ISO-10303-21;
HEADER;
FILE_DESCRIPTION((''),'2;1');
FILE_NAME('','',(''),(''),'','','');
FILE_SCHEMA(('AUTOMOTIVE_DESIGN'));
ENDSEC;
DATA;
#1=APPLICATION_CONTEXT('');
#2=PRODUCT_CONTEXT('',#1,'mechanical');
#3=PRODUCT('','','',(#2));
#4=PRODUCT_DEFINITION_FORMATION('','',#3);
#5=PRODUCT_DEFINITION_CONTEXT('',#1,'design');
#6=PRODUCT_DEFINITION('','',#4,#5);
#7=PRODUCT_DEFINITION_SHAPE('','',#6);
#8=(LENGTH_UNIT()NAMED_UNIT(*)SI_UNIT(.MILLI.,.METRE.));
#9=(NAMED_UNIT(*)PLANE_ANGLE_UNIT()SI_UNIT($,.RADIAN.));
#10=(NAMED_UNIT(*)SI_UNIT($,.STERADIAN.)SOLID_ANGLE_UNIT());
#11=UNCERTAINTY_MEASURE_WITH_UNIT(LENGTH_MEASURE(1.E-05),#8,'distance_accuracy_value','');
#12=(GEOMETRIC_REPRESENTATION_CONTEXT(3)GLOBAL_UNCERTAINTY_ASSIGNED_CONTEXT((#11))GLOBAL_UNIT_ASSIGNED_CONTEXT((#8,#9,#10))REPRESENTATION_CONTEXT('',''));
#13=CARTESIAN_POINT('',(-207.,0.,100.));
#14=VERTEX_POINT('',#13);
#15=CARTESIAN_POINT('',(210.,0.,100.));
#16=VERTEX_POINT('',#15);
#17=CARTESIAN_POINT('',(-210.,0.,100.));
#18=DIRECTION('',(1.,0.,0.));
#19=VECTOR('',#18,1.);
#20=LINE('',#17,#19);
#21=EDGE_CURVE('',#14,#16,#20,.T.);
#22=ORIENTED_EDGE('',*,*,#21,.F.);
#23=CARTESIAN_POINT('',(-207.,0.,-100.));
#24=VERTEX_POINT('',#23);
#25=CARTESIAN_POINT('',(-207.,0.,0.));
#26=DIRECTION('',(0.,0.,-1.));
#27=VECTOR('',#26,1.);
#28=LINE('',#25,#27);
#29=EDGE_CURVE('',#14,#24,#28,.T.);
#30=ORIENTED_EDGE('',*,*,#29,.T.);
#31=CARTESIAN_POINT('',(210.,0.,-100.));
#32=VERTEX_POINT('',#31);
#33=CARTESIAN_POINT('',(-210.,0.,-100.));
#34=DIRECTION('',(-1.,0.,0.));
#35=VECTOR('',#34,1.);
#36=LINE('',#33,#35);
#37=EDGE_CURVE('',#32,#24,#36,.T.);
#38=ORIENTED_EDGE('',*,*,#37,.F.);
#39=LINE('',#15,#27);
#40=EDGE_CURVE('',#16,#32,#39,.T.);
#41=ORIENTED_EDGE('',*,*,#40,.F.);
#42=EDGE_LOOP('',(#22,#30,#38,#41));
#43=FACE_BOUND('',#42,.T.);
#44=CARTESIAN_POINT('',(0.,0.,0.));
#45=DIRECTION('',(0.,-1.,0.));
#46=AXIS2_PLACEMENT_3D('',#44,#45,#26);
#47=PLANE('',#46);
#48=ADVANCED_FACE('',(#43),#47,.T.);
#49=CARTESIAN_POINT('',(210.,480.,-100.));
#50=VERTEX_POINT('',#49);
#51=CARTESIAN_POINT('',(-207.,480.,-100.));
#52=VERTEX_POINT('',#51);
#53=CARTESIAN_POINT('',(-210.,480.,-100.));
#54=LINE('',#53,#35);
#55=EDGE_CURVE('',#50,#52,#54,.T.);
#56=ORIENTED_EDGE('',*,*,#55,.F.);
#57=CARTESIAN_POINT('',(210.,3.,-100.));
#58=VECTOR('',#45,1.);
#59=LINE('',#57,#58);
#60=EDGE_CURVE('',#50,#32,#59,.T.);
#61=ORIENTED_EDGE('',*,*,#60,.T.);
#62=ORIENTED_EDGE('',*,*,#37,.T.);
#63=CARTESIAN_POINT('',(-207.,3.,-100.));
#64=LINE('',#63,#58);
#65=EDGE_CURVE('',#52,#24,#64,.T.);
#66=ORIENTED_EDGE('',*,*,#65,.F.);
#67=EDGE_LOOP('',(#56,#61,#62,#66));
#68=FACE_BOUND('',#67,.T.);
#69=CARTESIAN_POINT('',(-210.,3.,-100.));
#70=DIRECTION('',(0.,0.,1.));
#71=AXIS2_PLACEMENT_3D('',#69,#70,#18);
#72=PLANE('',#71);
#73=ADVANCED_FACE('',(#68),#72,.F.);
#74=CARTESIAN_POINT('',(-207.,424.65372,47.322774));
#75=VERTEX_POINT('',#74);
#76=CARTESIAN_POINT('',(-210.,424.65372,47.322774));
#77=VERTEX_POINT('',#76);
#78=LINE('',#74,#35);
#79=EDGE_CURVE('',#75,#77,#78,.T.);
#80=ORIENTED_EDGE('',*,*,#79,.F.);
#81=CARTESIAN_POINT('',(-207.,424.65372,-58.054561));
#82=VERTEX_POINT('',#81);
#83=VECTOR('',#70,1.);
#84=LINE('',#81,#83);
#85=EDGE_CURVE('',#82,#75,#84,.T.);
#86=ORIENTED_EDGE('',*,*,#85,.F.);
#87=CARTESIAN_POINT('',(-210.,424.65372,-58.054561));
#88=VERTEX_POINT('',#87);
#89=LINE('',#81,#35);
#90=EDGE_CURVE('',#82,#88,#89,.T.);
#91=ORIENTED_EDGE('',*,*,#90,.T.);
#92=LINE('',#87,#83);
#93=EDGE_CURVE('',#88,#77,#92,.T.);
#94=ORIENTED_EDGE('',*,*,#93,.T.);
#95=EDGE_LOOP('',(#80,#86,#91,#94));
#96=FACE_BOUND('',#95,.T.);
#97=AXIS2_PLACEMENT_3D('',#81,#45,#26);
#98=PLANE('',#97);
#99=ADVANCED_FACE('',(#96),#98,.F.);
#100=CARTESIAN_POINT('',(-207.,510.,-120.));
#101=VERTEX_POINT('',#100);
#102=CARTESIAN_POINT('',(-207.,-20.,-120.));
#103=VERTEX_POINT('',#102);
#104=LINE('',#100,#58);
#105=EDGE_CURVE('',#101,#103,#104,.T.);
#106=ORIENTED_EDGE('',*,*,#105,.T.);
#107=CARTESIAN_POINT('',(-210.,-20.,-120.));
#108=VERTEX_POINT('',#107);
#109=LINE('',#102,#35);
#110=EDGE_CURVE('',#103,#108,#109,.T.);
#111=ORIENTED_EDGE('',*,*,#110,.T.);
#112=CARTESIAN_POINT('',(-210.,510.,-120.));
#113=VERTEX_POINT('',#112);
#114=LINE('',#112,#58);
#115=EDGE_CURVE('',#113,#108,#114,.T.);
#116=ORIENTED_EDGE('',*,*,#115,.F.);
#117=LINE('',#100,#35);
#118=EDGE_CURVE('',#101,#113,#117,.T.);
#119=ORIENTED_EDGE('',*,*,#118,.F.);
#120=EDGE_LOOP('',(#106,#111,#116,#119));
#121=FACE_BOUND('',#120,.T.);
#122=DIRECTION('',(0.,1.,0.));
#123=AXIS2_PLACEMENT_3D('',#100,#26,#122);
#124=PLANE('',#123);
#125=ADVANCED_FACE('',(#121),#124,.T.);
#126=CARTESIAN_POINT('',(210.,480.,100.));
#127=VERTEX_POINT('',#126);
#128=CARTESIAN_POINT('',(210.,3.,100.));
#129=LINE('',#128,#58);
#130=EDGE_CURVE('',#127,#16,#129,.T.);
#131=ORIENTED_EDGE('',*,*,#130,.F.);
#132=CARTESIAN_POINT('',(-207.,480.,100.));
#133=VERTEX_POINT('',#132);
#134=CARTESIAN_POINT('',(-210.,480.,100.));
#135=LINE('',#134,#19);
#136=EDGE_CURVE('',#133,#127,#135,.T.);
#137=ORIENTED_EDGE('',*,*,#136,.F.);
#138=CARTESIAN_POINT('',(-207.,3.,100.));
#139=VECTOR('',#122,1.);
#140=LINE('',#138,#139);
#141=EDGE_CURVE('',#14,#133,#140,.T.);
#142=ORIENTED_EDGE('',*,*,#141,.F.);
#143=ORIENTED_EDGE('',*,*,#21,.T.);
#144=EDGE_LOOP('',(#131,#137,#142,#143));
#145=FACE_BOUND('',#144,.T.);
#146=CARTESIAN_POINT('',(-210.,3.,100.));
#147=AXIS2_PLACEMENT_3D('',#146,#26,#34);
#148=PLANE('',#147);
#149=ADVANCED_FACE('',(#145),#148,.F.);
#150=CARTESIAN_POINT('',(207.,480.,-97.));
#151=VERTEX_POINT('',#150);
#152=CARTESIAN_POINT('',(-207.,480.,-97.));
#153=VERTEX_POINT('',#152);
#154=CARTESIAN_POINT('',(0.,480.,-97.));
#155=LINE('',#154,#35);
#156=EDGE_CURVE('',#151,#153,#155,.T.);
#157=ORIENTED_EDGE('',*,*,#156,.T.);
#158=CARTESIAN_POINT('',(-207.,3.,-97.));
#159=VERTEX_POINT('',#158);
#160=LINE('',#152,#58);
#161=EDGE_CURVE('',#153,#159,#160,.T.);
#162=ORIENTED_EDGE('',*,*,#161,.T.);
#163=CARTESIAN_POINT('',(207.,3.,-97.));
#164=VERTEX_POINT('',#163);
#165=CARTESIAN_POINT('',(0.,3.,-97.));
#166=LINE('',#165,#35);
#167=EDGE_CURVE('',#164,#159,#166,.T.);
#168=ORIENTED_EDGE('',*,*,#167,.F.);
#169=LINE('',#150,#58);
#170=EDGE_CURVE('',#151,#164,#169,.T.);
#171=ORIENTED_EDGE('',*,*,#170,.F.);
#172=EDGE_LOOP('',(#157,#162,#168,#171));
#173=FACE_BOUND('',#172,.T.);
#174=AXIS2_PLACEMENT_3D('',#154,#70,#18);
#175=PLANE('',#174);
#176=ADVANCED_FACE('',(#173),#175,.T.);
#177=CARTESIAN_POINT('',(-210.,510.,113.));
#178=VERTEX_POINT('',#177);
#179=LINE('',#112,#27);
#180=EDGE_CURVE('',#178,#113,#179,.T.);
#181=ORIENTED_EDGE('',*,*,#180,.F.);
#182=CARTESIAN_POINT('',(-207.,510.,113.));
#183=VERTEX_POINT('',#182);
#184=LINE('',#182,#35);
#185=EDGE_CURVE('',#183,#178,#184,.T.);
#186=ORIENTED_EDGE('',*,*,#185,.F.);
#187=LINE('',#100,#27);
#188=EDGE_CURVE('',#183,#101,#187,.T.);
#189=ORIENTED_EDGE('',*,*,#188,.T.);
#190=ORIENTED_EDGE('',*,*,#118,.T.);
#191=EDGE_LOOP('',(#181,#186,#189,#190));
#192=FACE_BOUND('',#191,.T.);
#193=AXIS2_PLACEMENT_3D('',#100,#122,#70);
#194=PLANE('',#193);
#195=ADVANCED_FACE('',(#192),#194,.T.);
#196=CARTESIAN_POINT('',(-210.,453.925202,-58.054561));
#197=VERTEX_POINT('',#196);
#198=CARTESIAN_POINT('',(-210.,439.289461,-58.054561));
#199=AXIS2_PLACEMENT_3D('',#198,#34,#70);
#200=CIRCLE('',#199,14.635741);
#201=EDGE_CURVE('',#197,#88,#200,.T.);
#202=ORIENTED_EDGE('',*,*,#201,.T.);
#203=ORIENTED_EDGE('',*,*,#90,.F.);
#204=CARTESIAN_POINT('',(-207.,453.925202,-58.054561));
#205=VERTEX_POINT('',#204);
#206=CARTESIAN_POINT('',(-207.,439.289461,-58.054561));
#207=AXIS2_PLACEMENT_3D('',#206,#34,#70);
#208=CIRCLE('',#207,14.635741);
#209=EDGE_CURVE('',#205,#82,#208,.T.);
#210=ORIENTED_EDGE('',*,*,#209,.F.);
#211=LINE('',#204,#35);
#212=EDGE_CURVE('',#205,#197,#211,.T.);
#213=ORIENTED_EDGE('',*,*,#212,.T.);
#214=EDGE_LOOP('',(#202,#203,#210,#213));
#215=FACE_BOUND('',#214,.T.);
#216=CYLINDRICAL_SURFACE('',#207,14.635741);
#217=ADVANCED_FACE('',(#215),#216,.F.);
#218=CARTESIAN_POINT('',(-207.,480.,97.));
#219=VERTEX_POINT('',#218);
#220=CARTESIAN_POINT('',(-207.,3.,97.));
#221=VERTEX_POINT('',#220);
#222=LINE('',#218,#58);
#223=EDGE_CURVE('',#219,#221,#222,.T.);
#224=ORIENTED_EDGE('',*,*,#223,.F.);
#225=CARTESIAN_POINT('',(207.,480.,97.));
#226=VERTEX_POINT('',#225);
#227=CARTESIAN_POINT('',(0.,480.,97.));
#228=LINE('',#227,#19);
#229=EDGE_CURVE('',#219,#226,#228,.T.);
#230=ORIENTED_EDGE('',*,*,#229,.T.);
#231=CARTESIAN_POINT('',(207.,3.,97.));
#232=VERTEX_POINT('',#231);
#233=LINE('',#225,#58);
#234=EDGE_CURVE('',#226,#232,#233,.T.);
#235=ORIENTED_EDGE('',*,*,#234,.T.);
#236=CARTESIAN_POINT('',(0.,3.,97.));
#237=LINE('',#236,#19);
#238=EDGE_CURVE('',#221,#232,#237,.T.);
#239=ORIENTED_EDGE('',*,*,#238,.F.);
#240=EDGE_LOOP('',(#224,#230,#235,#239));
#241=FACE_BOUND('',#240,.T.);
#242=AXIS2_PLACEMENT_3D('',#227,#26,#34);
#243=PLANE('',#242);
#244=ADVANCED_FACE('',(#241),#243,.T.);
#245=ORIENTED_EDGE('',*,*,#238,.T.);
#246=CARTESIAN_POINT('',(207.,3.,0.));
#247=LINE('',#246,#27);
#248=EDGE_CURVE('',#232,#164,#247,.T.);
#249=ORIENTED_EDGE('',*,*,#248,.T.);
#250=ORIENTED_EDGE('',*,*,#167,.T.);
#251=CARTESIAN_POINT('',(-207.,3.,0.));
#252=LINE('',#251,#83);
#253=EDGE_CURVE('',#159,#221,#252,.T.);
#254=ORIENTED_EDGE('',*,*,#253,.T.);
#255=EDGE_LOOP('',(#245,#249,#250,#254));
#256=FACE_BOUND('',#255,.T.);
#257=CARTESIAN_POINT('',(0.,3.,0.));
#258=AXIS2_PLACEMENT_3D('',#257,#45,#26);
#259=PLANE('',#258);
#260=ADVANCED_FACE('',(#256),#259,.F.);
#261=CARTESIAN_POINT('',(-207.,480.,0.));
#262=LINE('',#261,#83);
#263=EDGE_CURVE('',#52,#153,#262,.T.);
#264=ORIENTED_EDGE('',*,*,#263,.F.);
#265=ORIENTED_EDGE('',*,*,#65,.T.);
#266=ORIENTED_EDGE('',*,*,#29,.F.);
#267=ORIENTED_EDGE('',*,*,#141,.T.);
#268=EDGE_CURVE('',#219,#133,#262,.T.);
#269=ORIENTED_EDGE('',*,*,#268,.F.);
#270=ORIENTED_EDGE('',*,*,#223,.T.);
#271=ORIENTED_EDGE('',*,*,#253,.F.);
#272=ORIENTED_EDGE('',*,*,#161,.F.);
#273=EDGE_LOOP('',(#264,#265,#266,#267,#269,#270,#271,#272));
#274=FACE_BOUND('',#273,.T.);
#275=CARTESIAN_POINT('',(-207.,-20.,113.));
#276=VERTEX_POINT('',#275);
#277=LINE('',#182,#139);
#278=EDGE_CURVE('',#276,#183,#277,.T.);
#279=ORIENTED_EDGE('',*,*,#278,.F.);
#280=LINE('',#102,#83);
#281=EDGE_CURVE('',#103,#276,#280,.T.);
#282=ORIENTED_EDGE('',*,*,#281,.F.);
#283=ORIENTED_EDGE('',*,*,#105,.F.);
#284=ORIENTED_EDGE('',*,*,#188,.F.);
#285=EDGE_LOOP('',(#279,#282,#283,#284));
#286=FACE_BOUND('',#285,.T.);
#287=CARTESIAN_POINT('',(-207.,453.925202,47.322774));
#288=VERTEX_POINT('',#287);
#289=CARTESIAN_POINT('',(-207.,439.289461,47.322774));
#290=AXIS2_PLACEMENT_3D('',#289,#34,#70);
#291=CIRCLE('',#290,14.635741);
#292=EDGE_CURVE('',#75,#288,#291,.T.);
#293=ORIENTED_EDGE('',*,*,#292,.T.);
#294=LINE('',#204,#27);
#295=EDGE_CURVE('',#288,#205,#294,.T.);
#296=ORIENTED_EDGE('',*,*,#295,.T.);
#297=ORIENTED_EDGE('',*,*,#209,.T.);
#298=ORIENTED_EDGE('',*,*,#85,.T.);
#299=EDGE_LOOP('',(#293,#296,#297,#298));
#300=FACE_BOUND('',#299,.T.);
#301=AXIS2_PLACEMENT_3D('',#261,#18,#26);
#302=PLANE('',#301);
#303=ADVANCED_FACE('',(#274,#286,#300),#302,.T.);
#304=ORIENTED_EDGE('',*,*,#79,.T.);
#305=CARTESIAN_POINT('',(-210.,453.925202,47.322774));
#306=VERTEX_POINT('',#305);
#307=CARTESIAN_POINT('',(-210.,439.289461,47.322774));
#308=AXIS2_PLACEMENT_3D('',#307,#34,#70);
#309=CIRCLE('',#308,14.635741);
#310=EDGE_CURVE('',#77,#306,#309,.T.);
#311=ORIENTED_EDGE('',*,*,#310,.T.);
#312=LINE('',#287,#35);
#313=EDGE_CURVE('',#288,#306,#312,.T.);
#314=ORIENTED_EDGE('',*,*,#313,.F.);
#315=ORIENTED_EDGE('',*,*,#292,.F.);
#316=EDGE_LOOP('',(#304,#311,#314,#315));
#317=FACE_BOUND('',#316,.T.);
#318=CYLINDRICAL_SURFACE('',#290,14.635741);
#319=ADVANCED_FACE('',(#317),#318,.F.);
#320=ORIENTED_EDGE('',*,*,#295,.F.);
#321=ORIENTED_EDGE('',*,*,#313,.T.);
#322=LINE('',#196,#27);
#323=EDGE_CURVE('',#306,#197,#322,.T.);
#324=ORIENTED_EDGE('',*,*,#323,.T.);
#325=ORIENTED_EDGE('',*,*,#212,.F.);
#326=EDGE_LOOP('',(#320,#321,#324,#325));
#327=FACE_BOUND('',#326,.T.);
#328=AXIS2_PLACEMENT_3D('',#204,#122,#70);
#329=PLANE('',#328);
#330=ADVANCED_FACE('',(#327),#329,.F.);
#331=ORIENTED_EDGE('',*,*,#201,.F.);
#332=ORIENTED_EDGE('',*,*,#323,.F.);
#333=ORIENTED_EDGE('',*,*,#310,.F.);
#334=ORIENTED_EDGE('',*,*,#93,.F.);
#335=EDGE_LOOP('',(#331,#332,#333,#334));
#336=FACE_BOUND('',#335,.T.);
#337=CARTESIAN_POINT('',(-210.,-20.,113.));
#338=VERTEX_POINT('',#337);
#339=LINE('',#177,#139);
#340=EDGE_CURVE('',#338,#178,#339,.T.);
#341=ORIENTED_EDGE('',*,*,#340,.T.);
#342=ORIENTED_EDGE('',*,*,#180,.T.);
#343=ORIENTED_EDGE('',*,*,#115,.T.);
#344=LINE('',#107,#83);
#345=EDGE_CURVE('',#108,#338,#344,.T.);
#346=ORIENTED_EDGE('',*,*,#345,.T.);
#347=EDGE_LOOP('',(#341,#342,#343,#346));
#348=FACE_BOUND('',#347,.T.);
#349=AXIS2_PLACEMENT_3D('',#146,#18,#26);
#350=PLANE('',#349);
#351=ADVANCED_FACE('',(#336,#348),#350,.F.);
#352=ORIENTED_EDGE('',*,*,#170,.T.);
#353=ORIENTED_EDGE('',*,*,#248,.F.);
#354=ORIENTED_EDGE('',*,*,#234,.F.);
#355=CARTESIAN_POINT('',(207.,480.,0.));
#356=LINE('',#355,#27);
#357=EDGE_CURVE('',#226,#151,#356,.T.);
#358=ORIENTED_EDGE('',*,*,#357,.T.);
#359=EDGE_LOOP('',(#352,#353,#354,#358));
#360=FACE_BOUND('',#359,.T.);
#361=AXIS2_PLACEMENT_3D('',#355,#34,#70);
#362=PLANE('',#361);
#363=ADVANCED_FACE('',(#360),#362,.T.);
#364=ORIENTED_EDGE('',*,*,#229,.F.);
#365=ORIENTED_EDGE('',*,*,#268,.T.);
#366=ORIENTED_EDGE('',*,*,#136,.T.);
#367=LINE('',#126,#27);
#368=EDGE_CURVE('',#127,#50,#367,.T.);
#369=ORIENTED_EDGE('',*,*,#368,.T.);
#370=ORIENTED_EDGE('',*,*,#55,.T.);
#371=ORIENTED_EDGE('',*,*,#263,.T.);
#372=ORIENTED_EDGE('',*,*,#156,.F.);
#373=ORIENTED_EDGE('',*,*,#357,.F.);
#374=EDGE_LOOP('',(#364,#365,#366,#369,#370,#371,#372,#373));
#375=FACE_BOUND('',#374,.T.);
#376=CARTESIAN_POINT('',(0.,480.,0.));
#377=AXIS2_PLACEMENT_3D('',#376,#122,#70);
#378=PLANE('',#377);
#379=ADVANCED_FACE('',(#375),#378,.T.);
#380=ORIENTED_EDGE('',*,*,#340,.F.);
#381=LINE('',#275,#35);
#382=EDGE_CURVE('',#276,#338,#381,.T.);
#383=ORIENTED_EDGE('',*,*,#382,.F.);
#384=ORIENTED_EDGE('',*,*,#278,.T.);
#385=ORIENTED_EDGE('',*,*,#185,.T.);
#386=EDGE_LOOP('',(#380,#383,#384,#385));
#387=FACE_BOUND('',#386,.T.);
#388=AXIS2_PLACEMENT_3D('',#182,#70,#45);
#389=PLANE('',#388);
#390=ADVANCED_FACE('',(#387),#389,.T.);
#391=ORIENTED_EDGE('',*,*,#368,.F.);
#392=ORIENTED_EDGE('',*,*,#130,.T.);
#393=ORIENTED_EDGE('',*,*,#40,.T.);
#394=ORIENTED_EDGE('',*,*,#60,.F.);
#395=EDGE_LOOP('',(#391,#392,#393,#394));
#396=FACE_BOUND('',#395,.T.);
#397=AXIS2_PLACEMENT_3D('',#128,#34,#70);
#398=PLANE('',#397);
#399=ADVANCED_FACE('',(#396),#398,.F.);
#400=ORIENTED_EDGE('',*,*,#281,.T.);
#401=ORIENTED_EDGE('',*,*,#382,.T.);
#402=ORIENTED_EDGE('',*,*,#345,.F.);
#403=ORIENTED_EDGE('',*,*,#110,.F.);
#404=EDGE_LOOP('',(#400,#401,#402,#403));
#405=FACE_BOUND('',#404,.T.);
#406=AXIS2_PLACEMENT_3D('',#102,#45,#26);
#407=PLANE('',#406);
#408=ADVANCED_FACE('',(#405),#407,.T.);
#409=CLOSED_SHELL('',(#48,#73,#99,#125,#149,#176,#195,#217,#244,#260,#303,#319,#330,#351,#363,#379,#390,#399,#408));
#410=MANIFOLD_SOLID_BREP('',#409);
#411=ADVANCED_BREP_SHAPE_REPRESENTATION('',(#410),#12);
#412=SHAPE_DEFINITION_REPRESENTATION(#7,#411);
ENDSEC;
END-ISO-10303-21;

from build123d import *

# Parameters (mm, degrees)
SKETCH_1_W          = 420
SKETCH_1_H          = 200
EXTRUDE_1_DEPTH     = 3
SKETCH_2_W          = 420
SKETCH_2_H          = 200
SKETCH_2_W_2        = 414
SKETCH_2_H_2        = 194
EXTRUDE_1_2_DEPTH   = 477
SKETCH_4_W          = 233
SKETCH_4_H          = 530
EXTRUDE_2_DEPTH     = 3
CUT_EXTRUDE_1_DEPTH = 3


with BuildPart() as part:
    # 草图1 → Extrude 1 (new body)
    with BuildSketch(Plane(origin=(0, 0, 0), x_dir=(1, 0, 0), z_dir=(0, 1, 0))):
        Rectangle(SKETCH_1_W, SKETCH_1_H)
    extrude(amount=EXTRUDE_1_DEPTH)

    # 草图2 → Extrude 1 2 (add)
    with BuildSketch(Plane(origin=(0, 3, 0), x_dir=(1, 0, 0), z_dir=(0, 1, 0))):
        Rectangle(SKETCH_2_W, SKETCH_2_H)
        Rectangle(SKETCH_2_W_2, SKETCH_2_H_2, mode=Mode.SUBTRACT)
    extrude(amount=EXTRUDE_1_2_DEPTH)

    # 草图4 → 凸台-拉伸2 (add)
    with BuildSketch(Plane.ZY.offset(210)):
        with Locations((-3.5, 245)):
            Rectangle(SKETCH_4_W, SKETCH_4_H)
    extrude(amount=-EXTRUDE_2_DEPTH)

    # 草图5 → 切除-拉伸1 (cut)
    with BuildSketch(Plane.ZY.offset(210)):
        with BuildLine():
            Line((-58.054561009, 453.925202317), (47.32277396, 453.925202317))
            ThreePointArc((47.32277396, 453.925202317), (61.958514928, 439.289461349), (47.32277396, 424.653720381))
            Line((47.32277396, 424.653720381), (-58.054561009, 424.653720381))
            ThreePointArc((-58.054561009, 424.653720381), (-72.690301977, 439.289461349), (-58.054561009, 453.925202317))
        make_face()
    extrude(amount=-CUT_EXTRUDE_1_DEPTH, mode=Mode.SUBTRACT)


solid = part.part
